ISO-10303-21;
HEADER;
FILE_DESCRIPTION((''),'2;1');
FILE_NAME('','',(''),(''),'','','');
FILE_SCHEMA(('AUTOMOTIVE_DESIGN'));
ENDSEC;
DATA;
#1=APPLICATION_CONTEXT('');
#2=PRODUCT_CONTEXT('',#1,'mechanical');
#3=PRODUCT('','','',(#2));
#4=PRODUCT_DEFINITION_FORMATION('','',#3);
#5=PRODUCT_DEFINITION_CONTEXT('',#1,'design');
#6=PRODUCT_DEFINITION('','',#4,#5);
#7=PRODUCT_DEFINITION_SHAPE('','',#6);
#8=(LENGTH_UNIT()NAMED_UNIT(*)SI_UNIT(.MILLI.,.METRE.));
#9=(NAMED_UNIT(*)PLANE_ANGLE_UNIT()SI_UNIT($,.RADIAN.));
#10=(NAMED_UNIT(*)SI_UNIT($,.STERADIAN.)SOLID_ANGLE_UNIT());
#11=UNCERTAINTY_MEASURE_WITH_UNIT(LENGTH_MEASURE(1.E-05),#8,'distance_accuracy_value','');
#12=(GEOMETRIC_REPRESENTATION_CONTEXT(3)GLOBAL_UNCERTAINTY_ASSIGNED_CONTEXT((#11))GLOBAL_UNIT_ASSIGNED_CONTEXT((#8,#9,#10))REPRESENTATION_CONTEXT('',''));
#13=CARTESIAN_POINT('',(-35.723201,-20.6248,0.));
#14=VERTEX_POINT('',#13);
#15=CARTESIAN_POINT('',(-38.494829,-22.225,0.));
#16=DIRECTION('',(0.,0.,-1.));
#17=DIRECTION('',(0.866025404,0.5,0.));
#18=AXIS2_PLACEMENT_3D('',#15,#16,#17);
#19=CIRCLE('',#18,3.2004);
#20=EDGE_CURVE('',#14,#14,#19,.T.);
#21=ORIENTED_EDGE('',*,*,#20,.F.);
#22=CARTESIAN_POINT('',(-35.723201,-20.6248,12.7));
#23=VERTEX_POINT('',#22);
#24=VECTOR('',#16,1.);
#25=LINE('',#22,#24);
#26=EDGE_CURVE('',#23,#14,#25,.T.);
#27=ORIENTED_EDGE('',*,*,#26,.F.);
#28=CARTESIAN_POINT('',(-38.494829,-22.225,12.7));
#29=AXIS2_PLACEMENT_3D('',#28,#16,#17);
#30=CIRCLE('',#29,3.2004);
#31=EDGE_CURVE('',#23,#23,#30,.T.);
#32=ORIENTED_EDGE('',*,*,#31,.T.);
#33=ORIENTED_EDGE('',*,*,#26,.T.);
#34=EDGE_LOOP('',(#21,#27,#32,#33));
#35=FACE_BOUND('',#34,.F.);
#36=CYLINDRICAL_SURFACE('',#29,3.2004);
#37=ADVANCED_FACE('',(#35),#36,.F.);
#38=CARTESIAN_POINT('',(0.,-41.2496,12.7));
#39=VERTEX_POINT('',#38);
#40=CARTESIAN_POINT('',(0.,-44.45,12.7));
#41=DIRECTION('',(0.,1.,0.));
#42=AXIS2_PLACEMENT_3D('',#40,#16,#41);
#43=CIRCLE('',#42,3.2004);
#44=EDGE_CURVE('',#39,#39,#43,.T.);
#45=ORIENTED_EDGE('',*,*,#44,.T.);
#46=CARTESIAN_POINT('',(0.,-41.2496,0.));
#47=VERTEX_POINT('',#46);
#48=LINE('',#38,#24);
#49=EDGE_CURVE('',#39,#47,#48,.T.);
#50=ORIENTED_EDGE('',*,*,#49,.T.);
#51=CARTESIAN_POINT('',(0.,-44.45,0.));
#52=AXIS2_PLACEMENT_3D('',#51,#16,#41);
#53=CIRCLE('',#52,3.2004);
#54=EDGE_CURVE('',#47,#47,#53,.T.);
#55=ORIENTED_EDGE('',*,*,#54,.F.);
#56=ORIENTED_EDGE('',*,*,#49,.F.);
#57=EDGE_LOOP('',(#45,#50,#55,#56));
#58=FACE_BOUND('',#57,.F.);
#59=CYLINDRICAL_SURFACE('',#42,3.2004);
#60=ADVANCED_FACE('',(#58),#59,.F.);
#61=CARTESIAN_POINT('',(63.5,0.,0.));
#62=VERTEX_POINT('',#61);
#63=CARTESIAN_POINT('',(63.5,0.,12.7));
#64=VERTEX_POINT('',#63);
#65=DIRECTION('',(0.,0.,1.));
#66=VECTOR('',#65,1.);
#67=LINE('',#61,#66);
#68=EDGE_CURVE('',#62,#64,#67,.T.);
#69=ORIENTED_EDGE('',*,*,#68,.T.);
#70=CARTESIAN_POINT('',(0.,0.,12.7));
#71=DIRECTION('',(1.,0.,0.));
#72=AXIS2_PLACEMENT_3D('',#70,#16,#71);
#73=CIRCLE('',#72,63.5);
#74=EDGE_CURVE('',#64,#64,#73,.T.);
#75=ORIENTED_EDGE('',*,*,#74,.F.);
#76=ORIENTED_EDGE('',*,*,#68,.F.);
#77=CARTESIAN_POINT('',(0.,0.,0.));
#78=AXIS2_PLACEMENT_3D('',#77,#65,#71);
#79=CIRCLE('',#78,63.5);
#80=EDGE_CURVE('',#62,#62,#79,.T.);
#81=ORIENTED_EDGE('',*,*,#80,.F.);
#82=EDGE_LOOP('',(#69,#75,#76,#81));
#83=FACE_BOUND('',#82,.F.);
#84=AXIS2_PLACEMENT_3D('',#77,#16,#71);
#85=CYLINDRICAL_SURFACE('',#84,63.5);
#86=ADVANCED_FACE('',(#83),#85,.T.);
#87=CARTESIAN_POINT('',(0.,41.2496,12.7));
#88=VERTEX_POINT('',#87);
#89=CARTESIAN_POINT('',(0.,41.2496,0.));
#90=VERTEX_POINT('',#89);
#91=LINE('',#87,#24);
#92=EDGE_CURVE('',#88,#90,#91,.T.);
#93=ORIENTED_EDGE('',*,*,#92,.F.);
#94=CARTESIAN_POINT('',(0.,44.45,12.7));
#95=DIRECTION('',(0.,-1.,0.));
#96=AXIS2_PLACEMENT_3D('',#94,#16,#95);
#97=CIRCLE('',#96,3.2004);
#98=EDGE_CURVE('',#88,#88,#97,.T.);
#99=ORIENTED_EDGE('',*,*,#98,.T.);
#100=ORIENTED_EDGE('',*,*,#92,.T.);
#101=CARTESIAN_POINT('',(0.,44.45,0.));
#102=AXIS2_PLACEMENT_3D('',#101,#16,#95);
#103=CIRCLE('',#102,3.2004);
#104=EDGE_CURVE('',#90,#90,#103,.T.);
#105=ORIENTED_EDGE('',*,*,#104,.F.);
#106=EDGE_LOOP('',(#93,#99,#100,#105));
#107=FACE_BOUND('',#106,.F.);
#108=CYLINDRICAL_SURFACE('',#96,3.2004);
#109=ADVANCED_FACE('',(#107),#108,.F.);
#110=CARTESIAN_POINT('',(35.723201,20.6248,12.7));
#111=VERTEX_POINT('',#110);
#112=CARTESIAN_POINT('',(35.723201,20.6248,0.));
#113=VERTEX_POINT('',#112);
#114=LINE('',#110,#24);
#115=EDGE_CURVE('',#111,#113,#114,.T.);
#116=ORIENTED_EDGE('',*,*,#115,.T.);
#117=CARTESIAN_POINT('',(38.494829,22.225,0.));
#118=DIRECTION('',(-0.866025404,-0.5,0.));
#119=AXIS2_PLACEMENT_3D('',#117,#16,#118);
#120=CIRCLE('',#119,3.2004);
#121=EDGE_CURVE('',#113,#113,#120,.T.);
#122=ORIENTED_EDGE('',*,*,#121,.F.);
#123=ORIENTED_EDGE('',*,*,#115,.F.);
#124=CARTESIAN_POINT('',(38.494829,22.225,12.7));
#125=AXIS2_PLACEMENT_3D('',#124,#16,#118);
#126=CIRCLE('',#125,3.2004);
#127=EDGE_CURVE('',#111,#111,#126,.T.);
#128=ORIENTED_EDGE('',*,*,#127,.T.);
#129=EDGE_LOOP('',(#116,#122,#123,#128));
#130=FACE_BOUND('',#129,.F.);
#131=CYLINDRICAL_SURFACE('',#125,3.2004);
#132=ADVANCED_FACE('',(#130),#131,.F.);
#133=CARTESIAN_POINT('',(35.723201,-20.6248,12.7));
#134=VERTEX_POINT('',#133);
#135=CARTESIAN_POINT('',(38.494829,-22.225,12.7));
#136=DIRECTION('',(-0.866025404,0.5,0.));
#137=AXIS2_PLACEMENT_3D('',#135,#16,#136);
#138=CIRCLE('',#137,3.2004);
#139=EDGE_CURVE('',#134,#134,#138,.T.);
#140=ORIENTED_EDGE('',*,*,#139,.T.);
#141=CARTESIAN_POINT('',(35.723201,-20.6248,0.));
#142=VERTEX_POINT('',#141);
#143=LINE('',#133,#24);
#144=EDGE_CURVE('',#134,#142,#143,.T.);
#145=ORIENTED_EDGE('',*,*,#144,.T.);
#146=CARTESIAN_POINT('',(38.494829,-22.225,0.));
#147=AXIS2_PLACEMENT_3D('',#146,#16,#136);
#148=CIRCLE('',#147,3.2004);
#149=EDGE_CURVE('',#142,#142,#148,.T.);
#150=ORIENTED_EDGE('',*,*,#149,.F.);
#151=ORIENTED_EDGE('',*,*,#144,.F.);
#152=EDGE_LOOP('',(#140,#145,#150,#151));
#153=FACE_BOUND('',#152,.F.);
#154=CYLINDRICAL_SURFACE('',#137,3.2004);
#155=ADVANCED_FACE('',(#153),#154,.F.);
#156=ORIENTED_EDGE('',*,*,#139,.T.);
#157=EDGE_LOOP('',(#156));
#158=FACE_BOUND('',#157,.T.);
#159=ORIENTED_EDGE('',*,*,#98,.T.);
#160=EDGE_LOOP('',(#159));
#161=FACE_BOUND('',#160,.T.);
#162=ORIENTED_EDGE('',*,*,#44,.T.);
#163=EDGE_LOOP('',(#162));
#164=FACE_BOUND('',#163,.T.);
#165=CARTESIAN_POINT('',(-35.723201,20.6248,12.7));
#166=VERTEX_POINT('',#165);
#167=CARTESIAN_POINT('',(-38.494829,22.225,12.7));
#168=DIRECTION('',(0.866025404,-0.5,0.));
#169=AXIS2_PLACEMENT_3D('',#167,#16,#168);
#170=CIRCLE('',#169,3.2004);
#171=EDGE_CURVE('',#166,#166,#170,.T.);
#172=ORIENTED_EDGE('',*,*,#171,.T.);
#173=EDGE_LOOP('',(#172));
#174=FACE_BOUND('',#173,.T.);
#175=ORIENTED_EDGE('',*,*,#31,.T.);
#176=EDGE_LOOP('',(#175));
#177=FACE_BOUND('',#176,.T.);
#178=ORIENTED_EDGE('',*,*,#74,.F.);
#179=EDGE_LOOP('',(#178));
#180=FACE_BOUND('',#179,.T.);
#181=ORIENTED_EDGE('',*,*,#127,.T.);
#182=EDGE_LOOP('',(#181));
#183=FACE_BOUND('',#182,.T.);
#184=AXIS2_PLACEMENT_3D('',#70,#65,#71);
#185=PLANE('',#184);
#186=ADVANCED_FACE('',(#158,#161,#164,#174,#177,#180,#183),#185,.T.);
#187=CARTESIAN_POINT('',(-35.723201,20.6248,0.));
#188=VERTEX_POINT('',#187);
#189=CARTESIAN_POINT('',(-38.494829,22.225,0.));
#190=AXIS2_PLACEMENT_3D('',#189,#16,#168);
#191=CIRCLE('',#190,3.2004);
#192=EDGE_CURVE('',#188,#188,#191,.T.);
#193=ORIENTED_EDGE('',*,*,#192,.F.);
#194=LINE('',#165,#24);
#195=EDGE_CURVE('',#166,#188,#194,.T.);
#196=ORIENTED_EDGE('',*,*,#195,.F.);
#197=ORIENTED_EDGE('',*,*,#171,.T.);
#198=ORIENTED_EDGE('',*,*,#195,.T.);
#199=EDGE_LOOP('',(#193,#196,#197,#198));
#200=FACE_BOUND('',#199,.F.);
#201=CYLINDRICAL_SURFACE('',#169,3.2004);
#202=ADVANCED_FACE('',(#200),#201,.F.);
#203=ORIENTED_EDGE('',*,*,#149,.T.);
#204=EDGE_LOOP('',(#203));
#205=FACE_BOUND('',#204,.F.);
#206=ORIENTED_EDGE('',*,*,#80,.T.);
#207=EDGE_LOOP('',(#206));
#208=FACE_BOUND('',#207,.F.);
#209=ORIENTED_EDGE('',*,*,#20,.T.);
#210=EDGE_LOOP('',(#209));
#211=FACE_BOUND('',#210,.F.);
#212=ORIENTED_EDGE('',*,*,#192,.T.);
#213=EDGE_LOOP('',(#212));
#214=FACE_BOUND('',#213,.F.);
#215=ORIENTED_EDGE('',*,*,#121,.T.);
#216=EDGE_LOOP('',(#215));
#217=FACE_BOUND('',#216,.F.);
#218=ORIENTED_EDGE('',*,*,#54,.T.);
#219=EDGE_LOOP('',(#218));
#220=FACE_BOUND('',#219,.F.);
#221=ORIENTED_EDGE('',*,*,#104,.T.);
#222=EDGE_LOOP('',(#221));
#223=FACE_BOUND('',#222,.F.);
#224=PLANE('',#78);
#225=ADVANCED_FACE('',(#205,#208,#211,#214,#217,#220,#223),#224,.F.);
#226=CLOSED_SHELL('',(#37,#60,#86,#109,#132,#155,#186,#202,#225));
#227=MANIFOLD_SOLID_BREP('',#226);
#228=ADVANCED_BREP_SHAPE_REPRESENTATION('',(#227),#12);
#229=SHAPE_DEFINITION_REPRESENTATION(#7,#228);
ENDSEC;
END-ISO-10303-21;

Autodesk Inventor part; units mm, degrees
ref_plane "YZ Plane" through (0, 0, 0) normal (1, 0, 0) x (0, 1, 0)
ref_plane "XZ Plane" through (0, 0, 0) normal (0, 1, 0) x (-1, 0, 0)
ref_plane "XY Plane" through (0, 0, 0) normal (0, 0, 1) x (1, 0, 0)
sketch "Sketch1" plane through (0, 0, 0) normal (0, 0, 1) x (1, 0, 0)
  line L0 (-142.24, 0) -> (142.24, 0) projected
  line L1 (0, -142.24) -> (0, 142.24) projected
  circle A0 centre (0, 0) radius 63.5
  circle A1 centre (0, 0) radius 50.8 construction
  circle A2 centre (0, 0) radius 101.6 construction
  dimension "d0" = 101.6
  dimension "d1" = 127
  dimension "d20" = 203.2
extrude "Extrusion1" add sketch "Sketch1" along normal blind 12.7
sketch "Sketch4" plane through (0, 0, 12.7) normal (0, 0, 1) x (1, 0, 0)
  line L0 (-88.9, 0) -> (88.9, 0) projected
  line L1 (0, -88.9) -> (0, 88.9) projected
  point P0 (0, 44.45)
  dimension "d21" = 44.45
hole "Hole2" at (0, 44.45, 12.7) direction (0, 0, -1) diameter 6.4008 end through all thread size "5/16-18 UNC" class "2B" standard "ANSI Unified Screw Threads"
pattern_circular "Circular Pattern1" count 6 over 360 about axis through (0, 0, -10) along (0, 0, 1) of "Hole2"
properties part number "wheel hub"
